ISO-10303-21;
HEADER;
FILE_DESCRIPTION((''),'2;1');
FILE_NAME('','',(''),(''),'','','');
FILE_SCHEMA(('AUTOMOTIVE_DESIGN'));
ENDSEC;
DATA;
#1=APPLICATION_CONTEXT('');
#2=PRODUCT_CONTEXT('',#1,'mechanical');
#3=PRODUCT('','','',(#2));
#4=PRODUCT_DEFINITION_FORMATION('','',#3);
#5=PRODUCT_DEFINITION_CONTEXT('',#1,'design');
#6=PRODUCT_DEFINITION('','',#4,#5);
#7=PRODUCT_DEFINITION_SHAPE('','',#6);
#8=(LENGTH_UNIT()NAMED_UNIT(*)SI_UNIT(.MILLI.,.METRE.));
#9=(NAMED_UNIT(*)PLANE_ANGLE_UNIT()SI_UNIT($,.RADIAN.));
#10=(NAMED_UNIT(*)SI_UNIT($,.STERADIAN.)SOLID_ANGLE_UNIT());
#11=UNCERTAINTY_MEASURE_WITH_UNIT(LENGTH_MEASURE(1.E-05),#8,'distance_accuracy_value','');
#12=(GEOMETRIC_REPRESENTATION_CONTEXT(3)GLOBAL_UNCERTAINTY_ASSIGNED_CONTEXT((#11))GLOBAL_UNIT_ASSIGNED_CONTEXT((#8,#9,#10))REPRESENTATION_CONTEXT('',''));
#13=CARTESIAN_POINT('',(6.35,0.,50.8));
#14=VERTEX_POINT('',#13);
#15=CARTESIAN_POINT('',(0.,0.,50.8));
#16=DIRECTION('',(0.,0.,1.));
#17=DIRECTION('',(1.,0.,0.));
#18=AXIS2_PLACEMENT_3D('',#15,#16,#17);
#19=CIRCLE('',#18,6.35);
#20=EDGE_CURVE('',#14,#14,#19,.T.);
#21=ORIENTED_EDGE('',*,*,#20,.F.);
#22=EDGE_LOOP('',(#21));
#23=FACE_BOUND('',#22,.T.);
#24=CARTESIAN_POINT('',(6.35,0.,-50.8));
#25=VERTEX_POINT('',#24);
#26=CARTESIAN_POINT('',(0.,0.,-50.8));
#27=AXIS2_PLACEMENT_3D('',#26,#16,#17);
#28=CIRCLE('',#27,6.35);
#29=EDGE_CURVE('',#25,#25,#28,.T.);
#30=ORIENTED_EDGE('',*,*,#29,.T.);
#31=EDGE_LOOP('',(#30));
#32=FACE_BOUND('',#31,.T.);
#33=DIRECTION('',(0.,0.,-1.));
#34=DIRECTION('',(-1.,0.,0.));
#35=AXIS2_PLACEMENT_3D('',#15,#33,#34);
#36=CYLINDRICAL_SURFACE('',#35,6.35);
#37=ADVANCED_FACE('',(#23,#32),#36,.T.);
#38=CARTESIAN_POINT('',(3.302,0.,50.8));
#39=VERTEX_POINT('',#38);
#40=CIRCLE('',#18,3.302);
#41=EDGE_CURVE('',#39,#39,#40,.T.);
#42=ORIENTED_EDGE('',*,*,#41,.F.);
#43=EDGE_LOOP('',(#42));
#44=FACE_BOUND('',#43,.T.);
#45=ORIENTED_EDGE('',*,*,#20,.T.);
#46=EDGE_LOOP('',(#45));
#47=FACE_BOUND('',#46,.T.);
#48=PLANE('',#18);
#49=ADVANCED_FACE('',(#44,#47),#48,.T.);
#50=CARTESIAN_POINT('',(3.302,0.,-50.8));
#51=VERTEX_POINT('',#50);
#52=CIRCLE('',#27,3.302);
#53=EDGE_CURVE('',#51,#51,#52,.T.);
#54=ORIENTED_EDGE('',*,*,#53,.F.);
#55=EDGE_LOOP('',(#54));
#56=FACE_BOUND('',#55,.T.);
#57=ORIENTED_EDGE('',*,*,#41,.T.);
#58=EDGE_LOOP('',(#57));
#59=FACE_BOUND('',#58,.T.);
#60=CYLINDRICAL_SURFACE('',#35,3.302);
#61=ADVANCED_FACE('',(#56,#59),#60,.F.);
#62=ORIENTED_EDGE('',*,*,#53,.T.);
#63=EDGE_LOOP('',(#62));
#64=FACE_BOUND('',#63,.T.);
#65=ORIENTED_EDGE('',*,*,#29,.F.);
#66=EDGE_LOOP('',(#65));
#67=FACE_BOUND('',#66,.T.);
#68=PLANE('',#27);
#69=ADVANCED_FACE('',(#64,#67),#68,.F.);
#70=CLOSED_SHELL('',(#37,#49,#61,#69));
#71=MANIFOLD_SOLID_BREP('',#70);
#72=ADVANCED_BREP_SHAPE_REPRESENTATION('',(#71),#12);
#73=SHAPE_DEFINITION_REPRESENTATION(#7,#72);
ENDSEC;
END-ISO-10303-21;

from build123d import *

# Parameters (mm, degrees)
EXTRUDE1_DEPTH      = 50.8
EXTRUDE1_DEPTH_BACK = 50.8
SKETCH1_R           = 6.35
SKETCH1_R_2         = 3.302


with BuildPart() as part:
    # Sketch1 → Extrude1 (new, two sides: drawn at the far end of the back side and taken through both)
    with BuildSketch(Plane.XY.offset(-EXTRUDE1_DEPTH_BACK)):
        Circle(SKETCH1_R)
        Circle(SKETCH1_R_2, mode=Mode.SUBTRACT)
    extrude(amount=EXTRUDE1_DEPTH + EXTRUDE1_DEPTH_BACK)


solid = part.part
